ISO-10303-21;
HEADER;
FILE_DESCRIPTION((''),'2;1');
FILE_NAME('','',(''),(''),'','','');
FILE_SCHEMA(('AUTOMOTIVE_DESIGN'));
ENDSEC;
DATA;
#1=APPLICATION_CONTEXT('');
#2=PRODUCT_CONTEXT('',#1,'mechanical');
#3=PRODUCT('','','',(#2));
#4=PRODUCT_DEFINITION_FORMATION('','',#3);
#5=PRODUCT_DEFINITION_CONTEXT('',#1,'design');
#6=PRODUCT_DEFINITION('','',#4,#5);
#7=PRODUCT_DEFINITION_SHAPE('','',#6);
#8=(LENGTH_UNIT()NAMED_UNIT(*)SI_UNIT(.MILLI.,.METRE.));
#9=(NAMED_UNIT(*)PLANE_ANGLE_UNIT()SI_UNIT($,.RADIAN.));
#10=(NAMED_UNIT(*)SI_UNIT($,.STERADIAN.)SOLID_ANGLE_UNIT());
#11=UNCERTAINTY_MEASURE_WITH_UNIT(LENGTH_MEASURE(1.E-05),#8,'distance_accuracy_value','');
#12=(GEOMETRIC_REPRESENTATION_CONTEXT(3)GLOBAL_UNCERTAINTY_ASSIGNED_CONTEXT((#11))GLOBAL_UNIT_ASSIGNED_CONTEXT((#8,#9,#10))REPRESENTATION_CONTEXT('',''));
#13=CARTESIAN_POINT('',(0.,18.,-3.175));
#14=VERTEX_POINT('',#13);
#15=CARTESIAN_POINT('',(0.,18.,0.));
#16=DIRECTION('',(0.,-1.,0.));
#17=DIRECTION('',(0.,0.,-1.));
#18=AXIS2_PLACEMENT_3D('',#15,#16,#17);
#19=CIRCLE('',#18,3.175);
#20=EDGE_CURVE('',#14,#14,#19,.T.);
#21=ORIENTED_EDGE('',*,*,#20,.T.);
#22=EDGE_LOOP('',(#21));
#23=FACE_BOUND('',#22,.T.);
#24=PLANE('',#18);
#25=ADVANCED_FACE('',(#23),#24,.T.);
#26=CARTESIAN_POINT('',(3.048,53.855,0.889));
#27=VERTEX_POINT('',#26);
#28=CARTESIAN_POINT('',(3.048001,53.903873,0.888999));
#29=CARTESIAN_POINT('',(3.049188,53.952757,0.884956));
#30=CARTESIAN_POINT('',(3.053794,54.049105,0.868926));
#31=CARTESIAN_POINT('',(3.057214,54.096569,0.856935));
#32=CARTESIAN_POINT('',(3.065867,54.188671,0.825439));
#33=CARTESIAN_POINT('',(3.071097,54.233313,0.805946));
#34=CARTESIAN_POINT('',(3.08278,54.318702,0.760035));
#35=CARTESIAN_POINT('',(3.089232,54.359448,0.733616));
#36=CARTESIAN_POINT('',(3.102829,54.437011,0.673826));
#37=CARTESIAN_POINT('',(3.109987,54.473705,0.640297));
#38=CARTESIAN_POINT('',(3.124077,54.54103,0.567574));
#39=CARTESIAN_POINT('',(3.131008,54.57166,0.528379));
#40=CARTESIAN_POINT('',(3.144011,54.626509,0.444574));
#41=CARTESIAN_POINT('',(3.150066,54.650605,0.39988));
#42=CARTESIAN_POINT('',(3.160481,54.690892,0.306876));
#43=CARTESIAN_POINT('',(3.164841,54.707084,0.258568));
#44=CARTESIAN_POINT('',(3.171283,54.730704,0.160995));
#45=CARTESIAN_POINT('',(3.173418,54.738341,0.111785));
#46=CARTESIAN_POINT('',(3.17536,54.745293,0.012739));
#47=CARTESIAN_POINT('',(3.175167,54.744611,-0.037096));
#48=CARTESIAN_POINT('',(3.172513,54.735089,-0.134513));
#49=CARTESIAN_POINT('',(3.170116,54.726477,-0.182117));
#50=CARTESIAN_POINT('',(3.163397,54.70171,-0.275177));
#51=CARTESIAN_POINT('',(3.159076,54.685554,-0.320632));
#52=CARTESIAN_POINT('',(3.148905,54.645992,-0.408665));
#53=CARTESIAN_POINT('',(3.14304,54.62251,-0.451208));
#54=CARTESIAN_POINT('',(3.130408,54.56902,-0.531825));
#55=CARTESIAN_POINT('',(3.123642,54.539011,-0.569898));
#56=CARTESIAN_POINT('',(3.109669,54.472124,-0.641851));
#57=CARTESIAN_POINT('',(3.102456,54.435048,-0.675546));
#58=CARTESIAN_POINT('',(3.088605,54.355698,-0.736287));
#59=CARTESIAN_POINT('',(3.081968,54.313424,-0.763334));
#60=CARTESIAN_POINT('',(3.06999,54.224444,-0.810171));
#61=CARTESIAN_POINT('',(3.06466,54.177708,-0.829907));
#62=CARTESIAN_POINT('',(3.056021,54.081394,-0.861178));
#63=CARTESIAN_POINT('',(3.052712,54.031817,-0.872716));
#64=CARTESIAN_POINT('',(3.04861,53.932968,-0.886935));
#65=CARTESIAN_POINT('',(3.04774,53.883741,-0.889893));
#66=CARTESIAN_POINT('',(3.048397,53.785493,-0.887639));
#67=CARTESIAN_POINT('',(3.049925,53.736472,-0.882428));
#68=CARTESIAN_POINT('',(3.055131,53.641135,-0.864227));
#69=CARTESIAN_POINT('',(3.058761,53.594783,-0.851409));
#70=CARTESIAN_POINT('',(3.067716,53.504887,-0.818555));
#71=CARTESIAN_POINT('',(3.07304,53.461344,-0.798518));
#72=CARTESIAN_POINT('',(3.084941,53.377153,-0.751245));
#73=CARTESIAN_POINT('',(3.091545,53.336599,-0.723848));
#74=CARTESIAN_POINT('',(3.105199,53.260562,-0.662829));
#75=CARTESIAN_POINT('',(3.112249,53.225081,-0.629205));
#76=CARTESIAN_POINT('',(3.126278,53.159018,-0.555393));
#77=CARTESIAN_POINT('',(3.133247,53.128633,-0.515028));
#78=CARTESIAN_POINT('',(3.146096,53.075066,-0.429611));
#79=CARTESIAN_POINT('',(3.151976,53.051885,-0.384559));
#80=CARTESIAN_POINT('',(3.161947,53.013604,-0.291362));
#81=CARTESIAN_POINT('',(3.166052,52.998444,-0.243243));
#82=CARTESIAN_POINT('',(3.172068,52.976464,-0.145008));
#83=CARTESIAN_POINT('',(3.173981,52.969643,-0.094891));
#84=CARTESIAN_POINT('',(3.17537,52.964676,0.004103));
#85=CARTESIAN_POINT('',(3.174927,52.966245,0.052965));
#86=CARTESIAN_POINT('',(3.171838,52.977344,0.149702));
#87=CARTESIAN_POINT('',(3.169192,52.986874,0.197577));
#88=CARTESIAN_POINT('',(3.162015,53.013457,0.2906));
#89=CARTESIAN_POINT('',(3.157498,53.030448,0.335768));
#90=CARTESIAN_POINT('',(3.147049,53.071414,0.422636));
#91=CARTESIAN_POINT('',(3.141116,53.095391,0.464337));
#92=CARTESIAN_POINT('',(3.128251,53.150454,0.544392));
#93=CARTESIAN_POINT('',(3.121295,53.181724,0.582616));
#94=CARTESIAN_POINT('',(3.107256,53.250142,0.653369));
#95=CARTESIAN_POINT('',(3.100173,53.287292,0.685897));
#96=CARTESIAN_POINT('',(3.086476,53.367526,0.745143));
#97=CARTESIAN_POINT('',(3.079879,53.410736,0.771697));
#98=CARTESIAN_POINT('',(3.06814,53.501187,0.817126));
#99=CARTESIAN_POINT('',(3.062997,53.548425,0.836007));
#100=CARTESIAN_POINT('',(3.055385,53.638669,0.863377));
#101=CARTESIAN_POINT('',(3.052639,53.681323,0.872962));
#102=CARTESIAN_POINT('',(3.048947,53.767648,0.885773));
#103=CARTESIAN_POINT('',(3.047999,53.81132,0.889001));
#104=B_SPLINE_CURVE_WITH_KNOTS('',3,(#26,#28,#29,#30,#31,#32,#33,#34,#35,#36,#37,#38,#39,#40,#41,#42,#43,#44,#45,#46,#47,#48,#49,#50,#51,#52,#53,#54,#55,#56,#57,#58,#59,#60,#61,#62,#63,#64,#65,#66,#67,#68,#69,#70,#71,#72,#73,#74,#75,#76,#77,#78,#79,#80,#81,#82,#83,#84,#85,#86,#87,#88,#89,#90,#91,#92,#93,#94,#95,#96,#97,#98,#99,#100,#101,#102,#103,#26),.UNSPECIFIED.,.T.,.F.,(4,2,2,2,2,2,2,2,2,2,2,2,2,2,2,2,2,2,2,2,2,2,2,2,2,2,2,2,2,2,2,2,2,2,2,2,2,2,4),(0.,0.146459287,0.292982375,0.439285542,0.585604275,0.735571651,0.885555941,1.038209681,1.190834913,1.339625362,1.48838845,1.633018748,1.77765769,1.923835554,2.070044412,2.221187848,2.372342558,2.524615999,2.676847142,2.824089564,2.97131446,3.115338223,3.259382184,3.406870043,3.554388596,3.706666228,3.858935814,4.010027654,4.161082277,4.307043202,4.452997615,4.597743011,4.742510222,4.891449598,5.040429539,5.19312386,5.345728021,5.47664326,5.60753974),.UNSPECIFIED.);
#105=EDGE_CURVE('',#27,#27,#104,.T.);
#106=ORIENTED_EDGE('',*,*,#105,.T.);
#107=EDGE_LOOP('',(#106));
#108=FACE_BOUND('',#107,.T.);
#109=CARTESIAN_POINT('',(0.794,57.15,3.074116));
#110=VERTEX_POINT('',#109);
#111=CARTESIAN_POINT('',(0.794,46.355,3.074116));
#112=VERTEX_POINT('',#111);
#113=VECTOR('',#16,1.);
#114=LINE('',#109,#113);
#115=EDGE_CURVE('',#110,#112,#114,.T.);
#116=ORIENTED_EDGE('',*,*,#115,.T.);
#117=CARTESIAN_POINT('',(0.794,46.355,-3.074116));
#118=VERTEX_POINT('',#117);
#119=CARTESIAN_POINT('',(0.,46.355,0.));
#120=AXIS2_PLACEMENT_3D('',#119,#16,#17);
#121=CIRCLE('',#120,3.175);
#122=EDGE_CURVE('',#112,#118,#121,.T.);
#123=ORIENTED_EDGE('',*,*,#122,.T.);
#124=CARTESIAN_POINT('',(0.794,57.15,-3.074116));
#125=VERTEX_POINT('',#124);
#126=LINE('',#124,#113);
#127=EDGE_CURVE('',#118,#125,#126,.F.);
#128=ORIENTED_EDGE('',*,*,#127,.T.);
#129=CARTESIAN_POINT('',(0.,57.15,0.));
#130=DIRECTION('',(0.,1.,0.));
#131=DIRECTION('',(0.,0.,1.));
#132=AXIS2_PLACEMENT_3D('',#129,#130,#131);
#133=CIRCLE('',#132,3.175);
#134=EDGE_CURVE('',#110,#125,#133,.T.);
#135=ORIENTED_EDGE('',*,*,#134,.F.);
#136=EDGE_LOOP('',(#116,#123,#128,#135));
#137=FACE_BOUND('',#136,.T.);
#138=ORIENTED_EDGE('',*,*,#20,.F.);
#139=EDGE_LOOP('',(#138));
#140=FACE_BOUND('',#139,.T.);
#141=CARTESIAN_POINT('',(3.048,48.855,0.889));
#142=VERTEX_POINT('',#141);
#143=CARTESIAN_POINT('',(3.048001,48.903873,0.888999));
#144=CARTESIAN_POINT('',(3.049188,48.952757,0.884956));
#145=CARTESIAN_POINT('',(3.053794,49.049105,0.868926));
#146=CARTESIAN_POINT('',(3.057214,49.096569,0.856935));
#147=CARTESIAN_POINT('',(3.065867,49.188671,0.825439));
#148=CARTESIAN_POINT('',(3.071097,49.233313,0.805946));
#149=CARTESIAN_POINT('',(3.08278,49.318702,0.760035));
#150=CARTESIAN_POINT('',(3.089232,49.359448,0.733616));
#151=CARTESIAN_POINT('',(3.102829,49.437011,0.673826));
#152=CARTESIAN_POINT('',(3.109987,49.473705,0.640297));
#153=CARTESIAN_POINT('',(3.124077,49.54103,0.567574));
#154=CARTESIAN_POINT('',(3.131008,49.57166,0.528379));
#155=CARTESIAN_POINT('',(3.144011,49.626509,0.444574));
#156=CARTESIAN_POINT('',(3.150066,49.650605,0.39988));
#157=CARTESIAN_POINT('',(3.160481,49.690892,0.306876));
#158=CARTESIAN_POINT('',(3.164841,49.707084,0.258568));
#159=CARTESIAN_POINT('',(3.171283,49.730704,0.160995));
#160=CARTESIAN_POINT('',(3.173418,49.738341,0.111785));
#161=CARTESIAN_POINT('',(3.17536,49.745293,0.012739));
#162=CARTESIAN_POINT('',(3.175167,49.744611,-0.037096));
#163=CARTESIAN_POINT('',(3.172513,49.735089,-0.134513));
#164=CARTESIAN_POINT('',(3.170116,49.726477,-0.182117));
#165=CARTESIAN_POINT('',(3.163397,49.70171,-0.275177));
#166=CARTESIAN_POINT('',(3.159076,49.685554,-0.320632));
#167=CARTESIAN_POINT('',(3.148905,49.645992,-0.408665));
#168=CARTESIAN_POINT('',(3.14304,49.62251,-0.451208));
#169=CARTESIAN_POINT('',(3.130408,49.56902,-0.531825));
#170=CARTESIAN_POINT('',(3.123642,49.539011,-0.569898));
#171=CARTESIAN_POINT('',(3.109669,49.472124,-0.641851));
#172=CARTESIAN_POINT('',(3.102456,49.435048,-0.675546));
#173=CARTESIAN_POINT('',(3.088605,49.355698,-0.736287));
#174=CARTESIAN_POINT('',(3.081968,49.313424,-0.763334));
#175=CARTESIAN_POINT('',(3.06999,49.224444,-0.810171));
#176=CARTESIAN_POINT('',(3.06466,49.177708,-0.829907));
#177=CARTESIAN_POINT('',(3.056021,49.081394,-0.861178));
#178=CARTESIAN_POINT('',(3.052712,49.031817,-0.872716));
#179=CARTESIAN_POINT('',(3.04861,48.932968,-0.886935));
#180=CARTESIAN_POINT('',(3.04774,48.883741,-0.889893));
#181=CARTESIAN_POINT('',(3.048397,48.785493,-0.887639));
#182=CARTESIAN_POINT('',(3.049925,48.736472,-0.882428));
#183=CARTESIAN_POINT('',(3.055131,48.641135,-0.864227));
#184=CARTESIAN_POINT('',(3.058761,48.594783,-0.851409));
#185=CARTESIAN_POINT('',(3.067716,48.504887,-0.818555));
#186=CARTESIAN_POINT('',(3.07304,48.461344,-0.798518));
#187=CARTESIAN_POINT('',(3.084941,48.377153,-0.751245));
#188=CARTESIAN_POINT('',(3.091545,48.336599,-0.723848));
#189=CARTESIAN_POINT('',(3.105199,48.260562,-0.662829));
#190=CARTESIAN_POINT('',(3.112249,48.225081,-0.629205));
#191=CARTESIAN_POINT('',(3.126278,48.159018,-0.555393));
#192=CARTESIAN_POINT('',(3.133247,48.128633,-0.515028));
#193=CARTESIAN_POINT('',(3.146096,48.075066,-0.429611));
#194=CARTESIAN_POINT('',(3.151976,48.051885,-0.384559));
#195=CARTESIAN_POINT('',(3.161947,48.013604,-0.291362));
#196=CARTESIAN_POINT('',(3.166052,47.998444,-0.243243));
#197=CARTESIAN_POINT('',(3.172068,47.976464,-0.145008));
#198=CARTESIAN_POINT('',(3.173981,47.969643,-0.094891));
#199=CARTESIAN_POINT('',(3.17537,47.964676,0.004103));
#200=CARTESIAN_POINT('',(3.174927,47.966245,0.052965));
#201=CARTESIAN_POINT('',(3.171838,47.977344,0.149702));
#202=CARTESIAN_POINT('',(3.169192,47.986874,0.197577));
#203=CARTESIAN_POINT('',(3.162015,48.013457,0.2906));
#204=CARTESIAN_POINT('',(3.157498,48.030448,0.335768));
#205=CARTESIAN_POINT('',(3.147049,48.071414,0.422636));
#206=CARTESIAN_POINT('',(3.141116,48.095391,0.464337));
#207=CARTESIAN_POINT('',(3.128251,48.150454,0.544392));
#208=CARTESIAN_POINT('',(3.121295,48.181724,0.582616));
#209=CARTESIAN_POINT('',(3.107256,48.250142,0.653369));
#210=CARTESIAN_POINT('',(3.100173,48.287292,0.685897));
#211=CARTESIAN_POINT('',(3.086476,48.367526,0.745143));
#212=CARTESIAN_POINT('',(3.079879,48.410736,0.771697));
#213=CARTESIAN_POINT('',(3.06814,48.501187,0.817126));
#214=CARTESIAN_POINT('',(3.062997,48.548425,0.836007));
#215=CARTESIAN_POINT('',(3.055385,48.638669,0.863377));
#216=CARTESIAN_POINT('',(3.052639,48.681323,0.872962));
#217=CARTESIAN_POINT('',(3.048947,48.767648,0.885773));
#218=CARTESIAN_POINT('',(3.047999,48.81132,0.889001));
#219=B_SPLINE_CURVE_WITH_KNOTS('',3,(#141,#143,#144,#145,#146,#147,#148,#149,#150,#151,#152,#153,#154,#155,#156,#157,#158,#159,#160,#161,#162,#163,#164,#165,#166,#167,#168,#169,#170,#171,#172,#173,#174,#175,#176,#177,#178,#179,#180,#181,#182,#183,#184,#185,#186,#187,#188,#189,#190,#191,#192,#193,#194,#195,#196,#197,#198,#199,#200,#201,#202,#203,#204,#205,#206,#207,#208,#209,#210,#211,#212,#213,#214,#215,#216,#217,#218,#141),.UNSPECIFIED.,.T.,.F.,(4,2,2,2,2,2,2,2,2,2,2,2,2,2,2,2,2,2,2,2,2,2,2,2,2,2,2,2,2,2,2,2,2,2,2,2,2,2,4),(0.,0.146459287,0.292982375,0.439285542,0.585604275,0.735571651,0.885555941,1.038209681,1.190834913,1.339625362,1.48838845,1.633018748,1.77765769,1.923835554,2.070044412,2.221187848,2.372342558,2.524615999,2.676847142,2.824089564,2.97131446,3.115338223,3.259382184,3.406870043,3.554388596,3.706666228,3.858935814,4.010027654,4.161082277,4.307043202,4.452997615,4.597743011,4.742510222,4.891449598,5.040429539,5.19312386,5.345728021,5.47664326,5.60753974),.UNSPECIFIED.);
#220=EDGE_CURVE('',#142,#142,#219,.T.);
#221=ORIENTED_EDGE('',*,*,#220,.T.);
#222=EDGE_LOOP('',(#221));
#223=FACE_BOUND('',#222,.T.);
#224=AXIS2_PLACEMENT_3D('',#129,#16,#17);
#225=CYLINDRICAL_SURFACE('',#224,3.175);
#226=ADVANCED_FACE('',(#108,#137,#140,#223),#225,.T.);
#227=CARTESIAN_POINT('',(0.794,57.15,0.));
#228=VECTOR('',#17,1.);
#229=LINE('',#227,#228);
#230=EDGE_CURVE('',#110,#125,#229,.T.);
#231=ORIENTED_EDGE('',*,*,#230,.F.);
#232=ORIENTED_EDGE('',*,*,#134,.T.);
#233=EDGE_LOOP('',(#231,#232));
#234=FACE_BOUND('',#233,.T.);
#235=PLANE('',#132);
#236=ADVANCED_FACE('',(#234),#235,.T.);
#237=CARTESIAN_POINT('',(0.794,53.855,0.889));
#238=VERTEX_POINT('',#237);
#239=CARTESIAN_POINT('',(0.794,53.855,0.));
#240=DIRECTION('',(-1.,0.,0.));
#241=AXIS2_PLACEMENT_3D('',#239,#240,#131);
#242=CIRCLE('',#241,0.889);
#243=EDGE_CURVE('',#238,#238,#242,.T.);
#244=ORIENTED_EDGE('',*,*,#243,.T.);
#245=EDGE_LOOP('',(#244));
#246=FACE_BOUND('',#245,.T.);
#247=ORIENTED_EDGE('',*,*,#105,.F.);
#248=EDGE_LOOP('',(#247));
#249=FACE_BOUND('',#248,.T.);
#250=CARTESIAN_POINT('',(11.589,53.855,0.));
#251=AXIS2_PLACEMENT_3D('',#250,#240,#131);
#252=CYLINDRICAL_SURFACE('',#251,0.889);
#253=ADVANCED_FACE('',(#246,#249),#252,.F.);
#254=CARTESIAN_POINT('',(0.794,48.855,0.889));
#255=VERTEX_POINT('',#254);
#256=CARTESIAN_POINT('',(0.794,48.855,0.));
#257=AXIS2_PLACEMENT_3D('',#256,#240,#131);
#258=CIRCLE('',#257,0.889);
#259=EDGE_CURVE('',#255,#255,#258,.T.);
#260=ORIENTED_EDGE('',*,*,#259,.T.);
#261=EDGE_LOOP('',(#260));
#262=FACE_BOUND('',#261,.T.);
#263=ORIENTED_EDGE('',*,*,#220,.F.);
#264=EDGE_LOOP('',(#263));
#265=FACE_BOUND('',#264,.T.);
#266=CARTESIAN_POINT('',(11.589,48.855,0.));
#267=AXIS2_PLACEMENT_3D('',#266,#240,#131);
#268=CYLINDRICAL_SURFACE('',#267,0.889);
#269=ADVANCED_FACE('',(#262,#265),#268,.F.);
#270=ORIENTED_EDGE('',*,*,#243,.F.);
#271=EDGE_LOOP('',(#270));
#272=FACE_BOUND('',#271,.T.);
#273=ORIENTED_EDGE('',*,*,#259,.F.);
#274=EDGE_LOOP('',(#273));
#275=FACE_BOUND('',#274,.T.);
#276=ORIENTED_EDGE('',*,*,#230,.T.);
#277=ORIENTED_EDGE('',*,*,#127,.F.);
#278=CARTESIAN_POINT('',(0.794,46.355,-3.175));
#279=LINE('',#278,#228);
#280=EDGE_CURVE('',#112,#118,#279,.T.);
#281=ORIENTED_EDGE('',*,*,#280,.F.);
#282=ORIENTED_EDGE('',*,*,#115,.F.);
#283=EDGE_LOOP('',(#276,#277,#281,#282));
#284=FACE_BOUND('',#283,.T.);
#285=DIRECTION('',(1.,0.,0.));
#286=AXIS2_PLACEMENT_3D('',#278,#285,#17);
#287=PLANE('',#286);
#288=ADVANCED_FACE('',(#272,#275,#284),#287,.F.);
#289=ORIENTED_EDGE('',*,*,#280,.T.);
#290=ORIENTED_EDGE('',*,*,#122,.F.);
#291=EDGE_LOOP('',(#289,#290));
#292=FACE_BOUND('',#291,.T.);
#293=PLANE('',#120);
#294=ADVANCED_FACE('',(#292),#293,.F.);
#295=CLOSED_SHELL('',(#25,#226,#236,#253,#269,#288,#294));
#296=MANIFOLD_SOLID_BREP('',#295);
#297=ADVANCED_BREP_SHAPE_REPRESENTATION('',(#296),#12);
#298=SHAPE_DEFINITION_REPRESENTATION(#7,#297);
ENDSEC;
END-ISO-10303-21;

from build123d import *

# Parameters (mm, degrees)
SKETCH_1_R          = 3.175
EXTRUDE_1_DEPTH     = 57.15
CUT_EXTRUDE_1_DEPTH = 10.795
SKETCH_3_R          = 0.889
CUT_EXTRUDE_2_DEPTH = 10.795
SKETCH_4_W          = 3.926157487
SKETCH_4_H          = 0.79375
CUT_EXTRUDE_3_DEPTH = 8.573
SKETCH_5_R          = 3.774888962
CUT_EXTRUDE_4_DEPTH = 18


with BuildPart() as part:
    # 草图1 → 凸台-拉伸1 (new body)
    with BuildSketch(Plane(origin=(0, 0, 0), x_dir=(1, 0, 0), z_dir=(0, 1, 0))):
        Circle(SKETCH_1_R)
    extrude(amount=EXTRUDE_1_DEPTH)

    # 草图2 → 切除-拉伸1 (cut)
    with BuildSketch(Plane(origin=(0, 57.15, 0), x_dir=(1, 0, 0), z_dir=(0, 1, 0))):
        Polygon((-0.794, 3.175), (0.794, 3.175), (0.794, -3.175), (-3.175, -3.175), (-3.175, 3.175), align=None)
    extrude(amount=-CUT_EXTRUDE_1_DEPTH, mode=Mode.SUBTRACT)

    # 草图3 → 切除-拉伸2 (cut)
    with BuildSketch(Plane.ZY.offset(-0.794)):
        with Locations((0, 53.855)):
            Circle(SKETCH_3_R)
        with Locations((0, 48.855)):
            Circle(SKETCH_3_R)
    extrude(amount=-CUT_EXTRUDE_2_DEPTH, mode=Mode.SUBTRACT)

    # 草图4 → 切除-拉伸3 (cut)
    with BuildSketch(Plane.XZ):
        with Locations((-0.018009896, -2.778125)):
            Rectangle(SKETCH_4_W, SKETCH_4_H)
    extrude(amount=-CUT_EXTRUDE_3_DEPTH, mode=Mode.SUBTRACT)

    # 草图5 → 切除-拉伸4 (cut)
    with BuildSketch(Plane.XZ):
        Circle(SKETCH_5_R)
    extrude(amount=-CUT_EXTRUDE_4_DEPTH, mode=Mode.SUBTRACT)


solid = part.part
